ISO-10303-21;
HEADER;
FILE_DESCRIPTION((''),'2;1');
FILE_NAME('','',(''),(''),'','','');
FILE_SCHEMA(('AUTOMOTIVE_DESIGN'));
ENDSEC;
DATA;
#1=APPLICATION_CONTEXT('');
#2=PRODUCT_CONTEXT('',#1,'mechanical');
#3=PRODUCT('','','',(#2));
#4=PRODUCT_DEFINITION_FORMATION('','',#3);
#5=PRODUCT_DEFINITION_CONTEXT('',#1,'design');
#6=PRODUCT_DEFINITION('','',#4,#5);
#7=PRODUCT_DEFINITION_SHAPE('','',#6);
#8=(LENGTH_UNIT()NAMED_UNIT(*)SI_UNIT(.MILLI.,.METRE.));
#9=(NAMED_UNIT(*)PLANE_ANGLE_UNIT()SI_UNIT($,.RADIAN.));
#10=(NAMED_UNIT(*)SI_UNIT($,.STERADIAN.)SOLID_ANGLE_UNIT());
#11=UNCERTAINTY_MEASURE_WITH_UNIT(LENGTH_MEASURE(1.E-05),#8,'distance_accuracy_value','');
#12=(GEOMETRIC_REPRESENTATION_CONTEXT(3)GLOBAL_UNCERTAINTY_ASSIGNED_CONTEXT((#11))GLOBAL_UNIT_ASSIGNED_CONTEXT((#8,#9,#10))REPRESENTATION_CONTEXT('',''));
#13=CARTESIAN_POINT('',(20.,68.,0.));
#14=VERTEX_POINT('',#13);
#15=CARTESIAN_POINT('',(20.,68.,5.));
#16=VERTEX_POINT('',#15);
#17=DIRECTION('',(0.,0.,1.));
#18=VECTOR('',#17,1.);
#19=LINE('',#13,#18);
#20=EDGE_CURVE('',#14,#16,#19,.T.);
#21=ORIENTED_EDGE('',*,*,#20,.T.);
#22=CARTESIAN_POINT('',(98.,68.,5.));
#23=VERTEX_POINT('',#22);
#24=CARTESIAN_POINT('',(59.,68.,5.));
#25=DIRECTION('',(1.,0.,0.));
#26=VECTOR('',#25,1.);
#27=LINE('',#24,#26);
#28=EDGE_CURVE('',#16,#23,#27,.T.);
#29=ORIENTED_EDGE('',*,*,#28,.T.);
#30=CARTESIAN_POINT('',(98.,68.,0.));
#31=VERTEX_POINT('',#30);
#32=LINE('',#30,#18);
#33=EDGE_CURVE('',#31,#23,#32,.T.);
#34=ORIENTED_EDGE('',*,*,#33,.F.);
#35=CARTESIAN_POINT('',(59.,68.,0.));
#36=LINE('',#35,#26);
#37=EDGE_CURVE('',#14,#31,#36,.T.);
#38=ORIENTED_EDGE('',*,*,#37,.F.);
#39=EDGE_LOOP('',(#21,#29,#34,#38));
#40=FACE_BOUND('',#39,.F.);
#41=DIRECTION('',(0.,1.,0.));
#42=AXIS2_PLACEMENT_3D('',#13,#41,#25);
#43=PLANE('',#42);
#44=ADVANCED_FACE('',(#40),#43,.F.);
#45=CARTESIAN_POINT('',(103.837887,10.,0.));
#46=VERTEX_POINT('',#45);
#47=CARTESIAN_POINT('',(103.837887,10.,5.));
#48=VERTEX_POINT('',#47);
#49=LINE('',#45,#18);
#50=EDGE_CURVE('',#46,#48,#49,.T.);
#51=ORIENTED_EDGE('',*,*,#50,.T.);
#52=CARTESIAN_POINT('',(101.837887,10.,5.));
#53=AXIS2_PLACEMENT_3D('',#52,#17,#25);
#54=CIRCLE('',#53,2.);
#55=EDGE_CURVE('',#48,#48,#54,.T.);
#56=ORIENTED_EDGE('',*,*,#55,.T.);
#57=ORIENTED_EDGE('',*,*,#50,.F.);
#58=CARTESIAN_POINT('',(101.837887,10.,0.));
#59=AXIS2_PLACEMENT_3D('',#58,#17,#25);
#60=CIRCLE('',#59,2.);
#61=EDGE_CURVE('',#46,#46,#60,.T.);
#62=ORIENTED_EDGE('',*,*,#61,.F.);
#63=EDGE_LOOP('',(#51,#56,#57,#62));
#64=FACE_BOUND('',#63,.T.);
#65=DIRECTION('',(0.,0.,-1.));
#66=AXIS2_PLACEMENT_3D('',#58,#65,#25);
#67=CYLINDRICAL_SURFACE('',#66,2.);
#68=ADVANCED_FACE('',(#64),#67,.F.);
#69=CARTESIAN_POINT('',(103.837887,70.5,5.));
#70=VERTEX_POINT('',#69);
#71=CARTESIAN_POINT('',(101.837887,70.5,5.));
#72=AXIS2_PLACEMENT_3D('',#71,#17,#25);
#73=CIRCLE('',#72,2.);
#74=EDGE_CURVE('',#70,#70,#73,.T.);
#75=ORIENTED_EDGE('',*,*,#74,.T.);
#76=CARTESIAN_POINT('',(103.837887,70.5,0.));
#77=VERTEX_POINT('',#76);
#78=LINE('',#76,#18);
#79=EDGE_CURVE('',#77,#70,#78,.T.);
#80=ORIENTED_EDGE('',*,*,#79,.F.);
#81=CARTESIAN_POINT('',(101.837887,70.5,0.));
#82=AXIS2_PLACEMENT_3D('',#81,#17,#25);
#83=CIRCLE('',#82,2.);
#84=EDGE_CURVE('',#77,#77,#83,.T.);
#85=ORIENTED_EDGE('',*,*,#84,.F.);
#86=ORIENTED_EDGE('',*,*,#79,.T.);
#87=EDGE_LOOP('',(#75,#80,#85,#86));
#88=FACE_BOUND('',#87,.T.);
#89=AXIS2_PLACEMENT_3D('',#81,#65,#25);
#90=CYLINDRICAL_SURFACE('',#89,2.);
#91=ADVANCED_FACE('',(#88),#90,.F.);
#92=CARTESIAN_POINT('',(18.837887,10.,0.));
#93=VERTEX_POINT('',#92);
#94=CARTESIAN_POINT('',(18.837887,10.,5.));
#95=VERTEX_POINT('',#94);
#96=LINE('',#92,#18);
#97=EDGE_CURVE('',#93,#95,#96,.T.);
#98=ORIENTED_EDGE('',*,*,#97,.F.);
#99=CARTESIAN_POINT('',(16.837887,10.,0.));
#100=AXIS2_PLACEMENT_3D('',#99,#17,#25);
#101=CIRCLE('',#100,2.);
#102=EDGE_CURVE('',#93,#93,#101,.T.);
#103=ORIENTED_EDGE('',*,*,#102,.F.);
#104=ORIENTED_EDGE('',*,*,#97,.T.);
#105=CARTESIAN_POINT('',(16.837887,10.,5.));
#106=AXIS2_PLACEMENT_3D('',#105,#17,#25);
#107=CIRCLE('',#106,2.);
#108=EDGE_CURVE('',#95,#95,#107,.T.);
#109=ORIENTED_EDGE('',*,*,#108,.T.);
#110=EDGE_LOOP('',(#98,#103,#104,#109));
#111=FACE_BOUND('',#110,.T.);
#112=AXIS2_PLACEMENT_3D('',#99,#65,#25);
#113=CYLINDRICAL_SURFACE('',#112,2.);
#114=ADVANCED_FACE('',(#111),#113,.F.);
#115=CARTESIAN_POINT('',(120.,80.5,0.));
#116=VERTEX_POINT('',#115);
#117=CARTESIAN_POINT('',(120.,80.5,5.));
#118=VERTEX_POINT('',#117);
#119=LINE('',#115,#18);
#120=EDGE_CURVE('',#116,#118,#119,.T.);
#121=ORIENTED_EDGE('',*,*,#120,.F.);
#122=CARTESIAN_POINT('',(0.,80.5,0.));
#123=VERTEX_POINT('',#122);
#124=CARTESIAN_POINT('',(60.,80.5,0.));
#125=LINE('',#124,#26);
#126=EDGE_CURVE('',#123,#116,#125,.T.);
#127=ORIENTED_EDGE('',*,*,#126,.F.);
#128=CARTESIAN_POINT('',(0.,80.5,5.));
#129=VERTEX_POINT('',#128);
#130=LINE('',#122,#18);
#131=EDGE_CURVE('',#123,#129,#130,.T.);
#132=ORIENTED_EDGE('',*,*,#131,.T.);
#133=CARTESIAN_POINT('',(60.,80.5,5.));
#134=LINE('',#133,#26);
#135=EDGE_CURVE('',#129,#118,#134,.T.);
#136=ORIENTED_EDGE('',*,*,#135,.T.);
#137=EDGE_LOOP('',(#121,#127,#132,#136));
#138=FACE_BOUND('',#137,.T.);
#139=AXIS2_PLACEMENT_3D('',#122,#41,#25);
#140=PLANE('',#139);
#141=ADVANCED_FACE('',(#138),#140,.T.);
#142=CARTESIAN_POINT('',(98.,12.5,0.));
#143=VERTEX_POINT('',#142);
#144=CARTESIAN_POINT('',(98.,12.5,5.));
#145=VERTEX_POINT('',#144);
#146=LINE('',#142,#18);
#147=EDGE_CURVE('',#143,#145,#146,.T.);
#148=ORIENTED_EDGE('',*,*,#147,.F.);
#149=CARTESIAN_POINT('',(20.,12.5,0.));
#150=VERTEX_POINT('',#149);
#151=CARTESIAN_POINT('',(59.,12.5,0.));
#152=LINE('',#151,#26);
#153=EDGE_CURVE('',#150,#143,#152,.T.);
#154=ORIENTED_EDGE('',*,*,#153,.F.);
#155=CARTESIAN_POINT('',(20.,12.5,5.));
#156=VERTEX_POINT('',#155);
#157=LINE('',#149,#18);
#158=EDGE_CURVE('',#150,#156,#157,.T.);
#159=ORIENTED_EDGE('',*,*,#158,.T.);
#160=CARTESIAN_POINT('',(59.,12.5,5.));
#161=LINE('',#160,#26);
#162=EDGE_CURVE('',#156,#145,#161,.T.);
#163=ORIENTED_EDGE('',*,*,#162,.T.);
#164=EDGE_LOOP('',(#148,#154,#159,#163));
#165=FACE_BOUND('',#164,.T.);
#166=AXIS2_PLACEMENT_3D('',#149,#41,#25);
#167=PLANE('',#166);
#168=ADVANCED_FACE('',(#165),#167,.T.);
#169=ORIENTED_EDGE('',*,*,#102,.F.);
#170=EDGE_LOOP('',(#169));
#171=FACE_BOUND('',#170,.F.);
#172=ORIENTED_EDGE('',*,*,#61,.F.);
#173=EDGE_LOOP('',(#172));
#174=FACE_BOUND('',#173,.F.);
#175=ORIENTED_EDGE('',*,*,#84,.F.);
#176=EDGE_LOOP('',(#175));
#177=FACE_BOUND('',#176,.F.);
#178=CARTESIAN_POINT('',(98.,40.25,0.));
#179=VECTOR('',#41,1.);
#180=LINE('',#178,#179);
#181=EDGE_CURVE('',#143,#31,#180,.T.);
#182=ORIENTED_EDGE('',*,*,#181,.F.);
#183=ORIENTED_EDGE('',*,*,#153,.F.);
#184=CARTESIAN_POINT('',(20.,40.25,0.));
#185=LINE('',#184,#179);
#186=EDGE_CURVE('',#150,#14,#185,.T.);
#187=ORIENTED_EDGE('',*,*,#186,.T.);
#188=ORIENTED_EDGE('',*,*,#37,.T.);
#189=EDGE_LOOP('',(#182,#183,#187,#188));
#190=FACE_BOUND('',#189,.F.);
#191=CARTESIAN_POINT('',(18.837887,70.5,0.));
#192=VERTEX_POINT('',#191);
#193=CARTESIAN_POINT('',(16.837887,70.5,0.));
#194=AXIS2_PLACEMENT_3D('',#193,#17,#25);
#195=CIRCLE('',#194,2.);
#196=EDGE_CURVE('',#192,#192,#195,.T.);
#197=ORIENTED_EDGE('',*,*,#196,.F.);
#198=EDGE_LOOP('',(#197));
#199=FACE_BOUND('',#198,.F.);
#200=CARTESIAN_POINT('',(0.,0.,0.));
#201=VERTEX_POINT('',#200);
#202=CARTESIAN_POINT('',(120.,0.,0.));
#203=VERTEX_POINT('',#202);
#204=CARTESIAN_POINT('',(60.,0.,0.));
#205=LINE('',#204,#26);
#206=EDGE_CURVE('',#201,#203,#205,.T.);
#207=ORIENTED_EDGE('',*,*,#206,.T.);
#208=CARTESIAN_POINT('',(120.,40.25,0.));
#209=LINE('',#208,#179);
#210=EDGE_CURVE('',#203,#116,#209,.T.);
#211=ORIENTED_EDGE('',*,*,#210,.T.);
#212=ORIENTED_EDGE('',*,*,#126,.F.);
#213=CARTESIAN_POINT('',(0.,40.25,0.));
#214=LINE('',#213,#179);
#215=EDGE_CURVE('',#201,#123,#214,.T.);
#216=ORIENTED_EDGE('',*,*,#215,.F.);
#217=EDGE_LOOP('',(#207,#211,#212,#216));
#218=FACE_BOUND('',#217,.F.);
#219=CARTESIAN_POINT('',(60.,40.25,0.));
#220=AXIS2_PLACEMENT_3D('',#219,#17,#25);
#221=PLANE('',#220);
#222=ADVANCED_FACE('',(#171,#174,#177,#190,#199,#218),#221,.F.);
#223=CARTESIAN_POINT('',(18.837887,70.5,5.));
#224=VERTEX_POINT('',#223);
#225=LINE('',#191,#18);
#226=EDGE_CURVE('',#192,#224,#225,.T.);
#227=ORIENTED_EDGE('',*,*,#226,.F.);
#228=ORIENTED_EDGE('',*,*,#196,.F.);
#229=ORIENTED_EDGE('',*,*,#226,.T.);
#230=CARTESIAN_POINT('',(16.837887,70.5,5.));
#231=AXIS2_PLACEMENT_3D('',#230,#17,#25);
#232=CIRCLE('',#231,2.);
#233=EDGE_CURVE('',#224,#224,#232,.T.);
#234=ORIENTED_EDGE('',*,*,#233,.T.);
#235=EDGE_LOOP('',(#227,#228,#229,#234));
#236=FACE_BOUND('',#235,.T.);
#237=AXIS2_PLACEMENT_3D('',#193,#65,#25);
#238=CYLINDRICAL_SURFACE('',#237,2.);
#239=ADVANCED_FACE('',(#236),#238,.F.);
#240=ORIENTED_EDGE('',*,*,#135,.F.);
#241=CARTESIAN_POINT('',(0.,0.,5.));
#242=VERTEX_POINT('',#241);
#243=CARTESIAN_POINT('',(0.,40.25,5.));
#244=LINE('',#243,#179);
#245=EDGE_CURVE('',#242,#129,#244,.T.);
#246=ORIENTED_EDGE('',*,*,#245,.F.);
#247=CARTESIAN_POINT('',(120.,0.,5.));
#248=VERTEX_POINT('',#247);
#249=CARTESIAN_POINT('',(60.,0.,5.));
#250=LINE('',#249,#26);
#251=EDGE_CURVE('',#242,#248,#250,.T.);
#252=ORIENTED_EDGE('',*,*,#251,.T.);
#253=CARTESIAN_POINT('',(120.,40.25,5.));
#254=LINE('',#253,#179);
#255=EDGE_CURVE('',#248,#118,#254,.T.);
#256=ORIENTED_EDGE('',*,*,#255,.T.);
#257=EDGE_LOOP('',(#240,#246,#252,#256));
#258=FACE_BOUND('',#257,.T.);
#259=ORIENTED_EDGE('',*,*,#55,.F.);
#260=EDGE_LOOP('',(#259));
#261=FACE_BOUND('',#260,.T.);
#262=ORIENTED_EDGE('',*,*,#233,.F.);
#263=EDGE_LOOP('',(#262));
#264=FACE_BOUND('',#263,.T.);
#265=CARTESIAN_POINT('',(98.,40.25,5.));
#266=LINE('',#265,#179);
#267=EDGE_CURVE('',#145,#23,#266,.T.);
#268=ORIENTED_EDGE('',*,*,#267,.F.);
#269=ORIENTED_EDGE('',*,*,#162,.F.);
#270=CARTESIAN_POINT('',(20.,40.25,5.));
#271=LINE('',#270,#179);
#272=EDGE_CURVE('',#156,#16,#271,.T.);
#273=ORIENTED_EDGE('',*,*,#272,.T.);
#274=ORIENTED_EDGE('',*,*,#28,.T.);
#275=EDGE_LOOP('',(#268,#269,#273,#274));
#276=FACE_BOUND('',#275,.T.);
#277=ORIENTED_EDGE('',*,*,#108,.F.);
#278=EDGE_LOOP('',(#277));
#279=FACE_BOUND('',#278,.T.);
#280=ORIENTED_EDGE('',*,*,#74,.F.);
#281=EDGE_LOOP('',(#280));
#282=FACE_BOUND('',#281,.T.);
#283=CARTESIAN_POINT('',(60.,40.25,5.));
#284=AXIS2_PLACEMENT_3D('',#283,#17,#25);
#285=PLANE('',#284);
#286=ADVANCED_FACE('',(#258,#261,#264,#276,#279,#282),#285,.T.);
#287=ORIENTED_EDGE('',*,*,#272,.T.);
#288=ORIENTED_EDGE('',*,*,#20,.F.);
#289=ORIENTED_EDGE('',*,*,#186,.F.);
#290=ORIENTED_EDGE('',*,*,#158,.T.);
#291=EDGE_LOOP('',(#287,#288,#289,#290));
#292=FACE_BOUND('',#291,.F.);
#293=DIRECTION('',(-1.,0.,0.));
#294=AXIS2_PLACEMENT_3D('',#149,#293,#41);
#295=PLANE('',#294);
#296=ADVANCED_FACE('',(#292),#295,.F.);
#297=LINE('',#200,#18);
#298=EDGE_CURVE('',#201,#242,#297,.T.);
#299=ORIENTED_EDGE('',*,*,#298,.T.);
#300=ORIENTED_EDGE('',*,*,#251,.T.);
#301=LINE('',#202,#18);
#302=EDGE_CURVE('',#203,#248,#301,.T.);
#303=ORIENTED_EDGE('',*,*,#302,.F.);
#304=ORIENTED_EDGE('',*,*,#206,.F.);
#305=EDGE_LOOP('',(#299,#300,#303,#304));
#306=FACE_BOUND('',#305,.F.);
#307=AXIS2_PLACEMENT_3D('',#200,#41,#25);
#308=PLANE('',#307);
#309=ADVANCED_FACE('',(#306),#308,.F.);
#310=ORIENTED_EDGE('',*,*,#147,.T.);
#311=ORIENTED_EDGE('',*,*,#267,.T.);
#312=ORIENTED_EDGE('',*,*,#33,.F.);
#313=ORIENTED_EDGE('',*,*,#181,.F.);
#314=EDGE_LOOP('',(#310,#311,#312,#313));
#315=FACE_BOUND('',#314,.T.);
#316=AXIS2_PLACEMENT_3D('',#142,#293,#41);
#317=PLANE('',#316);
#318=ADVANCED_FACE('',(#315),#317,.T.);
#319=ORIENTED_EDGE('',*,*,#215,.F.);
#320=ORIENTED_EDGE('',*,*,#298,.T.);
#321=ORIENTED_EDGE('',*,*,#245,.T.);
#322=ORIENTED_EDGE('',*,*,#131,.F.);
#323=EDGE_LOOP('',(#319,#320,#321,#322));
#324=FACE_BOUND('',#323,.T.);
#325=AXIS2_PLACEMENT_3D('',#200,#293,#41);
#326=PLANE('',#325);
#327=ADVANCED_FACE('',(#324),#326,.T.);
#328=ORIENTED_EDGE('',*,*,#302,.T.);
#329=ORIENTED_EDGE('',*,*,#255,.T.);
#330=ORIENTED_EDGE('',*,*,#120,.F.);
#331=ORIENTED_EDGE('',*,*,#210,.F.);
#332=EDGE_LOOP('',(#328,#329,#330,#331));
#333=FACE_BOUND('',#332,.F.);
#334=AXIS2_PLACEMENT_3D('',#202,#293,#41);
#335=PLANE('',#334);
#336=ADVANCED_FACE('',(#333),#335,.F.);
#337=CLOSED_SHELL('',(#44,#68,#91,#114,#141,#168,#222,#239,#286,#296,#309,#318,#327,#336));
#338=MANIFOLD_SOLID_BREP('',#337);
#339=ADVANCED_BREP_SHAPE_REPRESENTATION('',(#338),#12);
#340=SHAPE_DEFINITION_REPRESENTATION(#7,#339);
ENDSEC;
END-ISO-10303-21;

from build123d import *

# Parameters (mm, degrees)
F0_W     = 120
F0_H     = 80.5
F0_R     = 2
F0_W_2   = 78
F0_H_2   = 55.5
F1_DEPTH = 5


with BuildPart() as f1:
    # F0 (on Top) → F1 (new body)
    with BuildSketch(Plane.XY):
        with Locations((60, 40.25)):
            Rectangle(F0_W, F0_H)
        with Locations((16.837887, 10)):
            Circle(F0_R, mode=Mode.SUBTRACT)
        with Locations((59, 40.25)):
            Rectangle(F0_W_2, F0_H_2, mode=Mode.SUBTRACT)
        with Locations((101.837887, 10)):
            Circle(F0_R, mode=Mode.SUBTRACT)
        with Locations((16.837887, 70.5)):
            Circle(F0_R, mode=Mode.SUBTRACT)
        with Locations((101.837887, 70.5)):
            Circle(F0_R, mode=Mode.SUBTRACT)
    extrude(amount=F1_DEPTH)


solid = f1.part
